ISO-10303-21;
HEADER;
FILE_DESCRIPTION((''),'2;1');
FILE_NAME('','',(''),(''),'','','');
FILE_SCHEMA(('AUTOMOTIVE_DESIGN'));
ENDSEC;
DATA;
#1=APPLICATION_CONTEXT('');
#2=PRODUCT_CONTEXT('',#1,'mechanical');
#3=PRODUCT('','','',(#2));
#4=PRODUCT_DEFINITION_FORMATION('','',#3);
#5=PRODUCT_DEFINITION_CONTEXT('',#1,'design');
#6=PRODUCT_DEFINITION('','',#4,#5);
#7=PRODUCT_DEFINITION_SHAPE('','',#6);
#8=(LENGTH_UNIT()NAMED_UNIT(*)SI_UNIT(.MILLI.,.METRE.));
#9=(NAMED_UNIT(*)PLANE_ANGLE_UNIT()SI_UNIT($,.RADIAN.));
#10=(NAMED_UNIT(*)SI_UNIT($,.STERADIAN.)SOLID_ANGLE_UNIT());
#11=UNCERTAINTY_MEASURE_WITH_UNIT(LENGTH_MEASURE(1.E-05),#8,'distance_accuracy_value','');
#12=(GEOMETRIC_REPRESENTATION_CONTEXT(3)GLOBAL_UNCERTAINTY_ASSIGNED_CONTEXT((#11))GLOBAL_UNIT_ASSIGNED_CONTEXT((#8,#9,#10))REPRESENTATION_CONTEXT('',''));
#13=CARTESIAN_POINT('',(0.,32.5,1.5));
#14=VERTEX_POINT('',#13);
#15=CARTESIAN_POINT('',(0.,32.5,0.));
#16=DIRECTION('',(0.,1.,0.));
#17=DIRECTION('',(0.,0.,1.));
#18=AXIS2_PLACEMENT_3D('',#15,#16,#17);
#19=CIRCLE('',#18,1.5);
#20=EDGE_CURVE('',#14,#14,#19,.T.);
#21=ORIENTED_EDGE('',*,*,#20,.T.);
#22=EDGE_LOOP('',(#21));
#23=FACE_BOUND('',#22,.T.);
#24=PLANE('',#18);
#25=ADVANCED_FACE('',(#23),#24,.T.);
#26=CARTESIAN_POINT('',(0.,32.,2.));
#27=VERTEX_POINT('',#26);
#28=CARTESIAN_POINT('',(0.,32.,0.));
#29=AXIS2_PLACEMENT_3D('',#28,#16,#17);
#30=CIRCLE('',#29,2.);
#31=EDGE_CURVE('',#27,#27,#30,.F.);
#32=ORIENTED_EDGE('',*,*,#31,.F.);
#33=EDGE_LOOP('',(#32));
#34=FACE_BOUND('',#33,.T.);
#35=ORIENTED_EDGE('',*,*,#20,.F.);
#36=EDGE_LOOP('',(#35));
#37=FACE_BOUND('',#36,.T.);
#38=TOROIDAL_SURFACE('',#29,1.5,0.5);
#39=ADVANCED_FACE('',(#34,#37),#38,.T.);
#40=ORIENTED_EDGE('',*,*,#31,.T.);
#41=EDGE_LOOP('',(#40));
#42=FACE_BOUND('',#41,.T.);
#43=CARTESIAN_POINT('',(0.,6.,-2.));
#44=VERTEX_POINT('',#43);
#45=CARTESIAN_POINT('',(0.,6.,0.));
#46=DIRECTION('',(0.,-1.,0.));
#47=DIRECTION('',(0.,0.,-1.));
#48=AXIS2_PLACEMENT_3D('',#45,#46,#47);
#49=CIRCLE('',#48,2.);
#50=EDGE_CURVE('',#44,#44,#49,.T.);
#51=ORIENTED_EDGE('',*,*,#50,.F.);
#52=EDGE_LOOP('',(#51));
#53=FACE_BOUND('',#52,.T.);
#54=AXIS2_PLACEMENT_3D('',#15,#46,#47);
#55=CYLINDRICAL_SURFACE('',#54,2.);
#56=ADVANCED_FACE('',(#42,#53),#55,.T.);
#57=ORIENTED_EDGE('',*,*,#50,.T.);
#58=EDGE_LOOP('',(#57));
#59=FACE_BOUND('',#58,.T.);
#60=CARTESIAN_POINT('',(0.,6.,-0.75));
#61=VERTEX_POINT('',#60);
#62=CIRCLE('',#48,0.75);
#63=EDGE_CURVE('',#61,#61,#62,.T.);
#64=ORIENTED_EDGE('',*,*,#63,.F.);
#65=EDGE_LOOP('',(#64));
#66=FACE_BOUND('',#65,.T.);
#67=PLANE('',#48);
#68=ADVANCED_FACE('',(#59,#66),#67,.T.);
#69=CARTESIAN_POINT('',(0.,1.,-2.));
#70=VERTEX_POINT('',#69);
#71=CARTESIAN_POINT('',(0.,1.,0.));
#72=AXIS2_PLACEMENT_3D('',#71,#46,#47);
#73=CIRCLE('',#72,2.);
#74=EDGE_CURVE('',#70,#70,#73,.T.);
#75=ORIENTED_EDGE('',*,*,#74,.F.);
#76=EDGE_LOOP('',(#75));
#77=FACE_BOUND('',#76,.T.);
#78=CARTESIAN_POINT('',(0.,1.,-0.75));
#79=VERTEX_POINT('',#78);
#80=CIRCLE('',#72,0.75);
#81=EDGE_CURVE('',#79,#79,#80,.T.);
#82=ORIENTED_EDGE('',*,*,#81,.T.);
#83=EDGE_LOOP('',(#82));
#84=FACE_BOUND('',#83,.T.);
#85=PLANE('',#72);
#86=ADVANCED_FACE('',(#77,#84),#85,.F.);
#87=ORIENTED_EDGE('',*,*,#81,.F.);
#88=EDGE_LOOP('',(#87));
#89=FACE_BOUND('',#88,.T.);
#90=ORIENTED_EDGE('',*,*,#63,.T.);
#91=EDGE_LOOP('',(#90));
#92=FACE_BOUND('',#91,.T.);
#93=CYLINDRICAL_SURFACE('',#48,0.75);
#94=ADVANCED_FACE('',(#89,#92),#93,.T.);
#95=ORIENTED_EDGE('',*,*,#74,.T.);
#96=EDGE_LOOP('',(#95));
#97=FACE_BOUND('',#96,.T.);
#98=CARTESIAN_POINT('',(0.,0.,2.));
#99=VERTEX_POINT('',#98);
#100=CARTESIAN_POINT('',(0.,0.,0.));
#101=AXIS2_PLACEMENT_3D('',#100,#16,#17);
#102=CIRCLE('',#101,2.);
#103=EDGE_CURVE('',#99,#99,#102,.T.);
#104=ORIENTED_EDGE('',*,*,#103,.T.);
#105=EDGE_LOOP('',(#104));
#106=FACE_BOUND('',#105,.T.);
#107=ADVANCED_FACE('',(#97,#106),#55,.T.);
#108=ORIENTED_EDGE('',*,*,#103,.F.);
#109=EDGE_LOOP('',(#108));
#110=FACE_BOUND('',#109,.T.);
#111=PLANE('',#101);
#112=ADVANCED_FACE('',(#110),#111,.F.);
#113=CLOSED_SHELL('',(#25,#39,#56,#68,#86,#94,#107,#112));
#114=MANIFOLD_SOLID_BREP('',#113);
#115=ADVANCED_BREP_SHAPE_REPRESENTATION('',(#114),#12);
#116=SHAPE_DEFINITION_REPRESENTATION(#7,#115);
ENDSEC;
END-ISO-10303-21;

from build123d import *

# Parameters (mm, degrees)
SKETCH_1_R          = 2
EXTRUDE_1_DEPTH     = 32.5
CUT_EXTRUDE_START   = -1
SKETCH_2_R          = 2
SKETCH_2_R_2        = 0.75
CUT_EXTRUDE_1_DEPTH = 5
FILLET_1_R          = 0.5


with BuildPart() as part:
    # ｽｹｯﾁ1 → ﾎﾞｽ - 押し出し1 (new body)
    with BuildSketch(Plane(origin=(0, 0, 0), x_dir=(1, 0, 0), z_dir=(0, 1, 0))):
        Circle(SKETCH_1_R)
    extrude(amount=EXTRUDE_1_DEPTH)

    # ｽｹｯﾁ2 → ｶｯﾄ - 押し出し1 (cut)
    with BuildSketch(Plane.XZ.offset(CUT_EXTRUDE_START)):
        Circle(SKETCH_2_R)
        Circle(SKETCH_2_R_2, mode=Mode.SUBTRACT)
    extrude(amount=-CUT_EXTRUDE_1_DEPTH, mode=Mode.SUBTRACT)

    # ﾌｨﾚｯﾄ1
    fillet_1_edges = [part.edges().sort_by_distance(p)[0] for p in [
        (-2, 32.5, 0),
    ]]
    fillet(fillet_1_edges, radius=FILLET_1_R)


solid = part.part
